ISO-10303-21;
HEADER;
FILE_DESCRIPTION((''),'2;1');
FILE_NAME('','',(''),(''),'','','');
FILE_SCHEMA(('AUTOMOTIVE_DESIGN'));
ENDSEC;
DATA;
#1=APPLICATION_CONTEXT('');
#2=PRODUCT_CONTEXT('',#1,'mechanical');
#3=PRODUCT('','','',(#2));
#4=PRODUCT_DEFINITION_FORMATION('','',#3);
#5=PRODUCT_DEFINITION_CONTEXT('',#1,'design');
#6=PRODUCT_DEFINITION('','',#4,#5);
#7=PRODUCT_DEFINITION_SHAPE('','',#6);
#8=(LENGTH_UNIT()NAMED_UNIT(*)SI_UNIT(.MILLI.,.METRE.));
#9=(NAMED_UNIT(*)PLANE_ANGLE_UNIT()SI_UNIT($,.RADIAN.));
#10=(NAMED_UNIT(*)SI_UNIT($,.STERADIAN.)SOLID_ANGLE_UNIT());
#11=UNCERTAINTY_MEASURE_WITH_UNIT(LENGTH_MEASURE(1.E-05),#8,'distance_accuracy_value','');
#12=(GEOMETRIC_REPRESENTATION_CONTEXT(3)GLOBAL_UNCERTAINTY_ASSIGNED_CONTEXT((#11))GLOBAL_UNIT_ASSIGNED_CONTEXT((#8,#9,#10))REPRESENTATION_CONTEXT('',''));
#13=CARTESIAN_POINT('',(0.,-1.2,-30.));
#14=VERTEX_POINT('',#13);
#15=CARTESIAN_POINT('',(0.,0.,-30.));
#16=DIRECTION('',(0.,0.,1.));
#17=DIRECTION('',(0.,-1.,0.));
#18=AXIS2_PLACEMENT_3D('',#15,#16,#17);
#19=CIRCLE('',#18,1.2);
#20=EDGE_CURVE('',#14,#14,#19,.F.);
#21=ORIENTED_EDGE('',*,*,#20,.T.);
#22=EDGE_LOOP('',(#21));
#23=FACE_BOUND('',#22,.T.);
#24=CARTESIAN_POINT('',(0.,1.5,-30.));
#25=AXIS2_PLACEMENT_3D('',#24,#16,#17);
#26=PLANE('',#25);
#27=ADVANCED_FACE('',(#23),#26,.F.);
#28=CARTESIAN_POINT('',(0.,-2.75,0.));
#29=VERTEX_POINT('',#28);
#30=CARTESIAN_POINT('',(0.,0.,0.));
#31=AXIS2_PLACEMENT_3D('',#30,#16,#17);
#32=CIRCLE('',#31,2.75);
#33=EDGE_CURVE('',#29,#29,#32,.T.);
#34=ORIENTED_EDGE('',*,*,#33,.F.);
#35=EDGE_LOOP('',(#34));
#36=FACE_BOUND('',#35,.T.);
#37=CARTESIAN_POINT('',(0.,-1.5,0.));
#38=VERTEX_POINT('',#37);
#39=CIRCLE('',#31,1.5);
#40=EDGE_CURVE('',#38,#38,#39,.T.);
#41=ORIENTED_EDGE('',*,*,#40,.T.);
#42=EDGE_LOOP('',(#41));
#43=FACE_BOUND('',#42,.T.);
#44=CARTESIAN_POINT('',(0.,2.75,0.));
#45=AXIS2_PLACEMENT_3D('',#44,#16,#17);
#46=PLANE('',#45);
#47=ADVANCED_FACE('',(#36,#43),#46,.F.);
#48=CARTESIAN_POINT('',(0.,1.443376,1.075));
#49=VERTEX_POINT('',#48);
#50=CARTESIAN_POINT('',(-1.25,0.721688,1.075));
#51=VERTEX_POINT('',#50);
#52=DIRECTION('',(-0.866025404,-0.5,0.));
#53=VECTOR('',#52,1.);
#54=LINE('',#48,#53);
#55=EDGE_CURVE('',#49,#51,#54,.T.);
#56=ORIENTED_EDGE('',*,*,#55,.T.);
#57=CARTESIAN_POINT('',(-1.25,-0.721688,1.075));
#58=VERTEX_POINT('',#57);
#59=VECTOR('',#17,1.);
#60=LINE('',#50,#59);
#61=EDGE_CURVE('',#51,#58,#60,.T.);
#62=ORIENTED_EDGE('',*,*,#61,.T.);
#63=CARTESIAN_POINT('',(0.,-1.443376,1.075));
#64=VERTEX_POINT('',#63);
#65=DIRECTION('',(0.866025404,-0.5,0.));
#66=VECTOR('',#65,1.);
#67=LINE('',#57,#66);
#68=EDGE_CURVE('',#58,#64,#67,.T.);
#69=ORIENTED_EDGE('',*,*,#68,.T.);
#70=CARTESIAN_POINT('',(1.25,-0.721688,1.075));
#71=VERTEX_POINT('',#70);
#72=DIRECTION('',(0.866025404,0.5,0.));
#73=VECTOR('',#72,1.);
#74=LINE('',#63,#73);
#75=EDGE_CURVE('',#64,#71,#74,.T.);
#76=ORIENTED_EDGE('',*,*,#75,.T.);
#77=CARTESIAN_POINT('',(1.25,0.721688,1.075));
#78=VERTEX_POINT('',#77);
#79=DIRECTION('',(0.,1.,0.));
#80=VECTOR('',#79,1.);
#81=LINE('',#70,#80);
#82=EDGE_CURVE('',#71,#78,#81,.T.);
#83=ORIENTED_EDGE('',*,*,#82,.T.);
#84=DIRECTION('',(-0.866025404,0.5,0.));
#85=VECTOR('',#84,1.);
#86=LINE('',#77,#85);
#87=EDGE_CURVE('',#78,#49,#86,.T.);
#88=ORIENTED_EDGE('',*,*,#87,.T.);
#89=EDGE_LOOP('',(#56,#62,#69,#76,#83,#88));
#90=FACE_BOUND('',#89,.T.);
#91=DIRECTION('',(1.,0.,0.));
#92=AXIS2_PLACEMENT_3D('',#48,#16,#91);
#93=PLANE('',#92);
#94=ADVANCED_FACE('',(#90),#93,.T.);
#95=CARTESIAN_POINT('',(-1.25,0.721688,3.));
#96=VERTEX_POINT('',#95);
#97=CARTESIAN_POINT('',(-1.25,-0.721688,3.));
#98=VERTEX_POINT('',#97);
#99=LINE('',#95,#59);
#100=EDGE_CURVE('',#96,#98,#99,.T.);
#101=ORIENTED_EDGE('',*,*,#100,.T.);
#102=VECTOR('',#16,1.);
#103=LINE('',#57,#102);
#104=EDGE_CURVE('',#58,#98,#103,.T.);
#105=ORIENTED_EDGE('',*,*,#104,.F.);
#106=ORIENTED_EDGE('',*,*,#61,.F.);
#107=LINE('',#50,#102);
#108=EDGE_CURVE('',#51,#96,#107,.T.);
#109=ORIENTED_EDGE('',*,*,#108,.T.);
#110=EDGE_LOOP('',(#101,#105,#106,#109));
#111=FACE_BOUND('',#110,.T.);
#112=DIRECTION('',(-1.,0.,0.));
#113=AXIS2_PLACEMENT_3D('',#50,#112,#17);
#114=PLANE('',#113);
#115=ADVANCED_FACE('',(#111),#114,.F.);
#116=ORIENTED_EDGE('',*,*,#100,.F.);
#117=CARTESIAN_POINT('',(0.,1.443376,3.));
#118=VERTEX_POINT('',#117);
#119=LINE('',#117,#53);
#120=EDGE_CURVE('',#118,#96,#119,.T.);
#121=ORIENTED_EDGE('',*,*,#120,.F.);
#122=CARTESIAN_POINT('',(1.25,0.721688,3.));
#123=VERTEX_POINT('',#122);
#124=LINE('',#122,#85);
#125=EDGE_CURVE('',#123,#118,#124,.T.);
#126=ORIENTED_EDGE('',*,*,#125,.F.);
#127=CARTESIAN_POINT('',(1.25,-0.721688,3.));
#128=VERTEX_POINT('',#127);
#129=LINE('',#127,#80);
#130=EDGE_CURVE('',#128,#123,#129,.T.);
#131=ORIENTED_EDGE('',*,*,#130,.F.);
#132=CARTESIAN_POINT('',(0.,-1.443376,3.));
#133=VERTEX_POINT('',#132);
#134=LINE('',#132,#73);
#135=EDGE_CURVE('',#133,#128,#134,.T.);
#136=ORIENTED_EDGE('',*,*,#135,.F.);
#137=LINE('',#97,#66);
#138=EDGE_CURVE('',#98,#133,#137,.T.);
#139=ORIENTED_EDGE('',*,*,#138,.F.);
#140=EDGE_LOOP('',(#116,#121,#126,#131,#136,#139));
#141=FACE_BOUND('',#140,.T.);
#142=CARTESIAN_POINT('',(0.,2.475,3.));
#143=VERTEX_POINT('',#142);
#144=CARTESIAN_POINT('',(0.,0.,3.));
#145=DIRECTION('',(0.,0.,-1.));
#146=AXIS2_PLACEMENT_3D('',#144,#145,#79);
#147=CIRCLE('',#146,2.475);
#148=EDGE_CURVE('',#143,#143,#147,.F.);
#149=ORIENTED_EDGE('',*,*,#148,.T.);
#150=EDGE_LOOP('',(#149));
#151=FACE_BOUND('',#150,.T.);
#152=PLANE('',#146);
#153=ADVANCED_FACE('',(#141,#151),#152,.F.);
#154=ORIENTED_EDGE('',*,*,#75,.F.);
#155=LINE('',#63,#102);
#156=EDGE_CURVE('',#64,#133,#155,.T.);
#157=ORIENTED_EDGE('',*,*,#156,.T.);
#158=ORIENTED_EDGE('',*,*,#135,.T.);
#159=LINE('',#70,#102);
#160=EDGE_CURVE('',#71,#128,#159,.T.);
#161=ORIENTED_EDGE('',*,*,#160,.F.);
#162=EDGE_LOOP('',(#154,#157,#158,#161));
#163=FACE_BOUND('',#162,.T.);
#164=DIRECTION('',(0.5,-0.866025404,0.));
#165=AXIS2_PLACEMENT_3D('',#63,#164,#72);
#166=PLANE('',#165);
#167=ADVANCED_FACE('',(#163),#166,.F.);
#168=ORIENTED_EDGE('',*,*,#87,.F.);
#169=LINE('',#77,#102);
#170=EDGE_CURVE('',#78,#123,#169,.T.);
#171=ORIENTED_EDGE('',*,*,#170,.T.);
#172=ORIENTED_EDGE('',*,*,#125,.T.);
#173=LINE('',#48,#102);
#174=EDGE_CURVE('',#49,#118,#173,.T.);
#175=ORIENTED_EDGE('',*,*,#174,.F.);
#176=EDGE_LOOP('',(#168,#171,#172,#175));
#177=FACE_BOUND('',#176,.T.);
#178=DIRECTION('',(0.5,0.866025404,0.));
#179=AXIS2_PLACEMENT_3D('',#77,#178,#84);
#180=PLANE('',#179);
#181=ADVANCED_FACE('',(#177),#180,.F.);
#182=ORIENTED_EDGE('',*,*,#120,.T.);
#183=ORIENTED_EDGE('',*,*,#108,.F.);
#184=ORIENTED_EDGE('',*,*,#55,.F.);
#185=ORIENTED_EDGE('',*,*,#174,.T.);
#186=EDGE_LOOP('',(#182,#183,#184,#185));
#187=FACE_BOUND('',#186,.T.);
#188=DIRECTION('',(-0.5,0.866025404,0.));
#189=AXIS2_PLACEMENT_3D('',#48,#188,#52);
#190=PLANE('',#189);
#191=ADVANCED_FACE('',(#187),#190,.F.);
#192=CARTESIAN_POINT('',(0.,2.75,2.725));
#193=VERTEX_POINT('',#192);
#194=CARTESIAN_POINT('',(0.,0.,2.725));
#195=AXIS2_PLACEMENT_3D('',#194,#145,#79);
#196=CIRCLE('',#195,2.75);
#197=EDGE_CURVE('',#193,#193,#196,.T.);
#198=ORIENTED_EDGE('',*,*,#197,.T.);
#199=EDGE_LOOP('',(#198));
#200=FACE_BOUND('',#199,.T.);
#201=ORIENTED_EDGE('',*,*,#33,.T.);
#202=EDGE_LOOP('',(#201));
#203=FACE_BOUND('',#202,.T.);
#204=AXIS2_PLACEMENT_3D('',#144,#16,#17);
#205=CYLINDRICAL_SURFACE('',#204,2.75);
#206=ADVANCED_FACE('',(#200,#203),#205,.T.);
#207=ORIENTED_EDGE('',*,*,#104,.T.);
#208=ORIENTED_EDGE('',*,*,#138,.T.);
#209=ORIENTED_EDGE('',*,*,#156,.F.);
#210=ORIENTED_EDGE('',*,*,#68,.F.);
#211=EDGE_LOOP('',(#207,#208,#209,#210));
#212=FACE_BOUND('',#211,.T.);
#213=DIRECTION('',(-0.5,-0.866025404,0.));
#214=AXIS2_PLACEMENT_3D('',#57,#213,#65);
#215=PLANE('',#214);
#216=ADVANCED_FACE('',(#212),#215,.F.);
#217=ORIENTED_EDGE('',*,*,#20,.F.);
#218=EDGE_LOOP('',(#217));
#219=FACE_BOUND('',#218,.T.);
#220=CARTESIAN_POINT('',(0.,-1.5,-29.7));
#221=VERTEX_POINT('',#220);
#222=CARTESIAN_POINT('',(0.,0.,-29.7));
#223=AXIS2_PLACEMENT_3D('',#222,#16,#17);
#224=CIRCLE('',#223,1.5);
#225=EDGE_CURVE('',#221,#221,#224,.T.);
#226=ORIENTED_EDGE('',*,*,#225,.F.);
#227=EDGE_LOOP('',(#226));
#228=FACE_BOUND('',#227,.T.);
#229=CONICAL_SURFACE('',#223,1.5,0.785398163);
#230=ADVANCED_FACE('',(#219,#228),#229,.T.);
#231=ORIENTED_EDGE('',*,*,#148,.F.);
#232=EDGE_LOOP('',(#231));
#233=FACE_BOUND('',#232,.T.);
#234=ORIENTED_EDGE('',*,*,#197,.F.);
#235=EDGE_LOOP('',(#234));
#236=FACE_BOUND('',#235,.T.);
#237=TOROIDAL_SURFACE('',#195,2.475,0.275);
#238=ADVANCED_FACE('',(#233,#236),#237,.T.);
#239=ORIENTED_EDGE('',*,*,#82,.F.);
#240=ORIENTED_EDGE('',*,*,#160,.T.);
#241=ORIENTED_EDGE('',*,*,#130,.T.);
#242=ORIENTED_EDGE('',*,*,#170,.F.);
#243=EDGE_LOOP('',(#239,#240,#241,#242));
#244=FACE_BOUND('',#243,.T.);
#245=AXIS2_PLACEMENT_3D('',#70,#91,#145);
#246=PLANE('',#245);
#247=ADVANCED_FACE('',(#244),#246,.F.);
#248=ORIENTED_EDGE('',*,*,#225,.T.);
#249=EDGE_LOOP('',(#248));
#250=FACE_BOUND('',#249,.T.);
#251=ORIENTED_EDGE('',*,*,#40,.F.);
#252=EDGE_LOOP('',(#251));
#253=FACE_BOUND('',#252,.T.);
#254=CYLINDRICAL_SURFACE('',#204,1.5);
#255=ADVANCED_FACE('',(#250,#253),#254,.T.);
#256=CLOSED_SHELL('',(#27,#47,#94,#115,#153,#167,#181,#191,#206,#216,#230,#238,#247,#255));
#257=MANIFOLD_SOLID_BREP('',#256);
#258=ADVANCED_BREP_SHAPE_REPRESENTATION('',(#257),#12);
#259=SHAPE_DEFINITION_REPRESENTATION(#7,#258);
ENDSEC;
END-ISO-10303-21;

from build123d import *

# Parameters (mm, degrees)
CUT_EXTRUDE_1_DEPTH = 1.925
FILLET_1_R          = 0.275
CHAMFER_1_SIZE      = 0.3


with BuildPart() as part:
    # 草图3 → 旋转1 (revolve)
    with BuildSketch(Plane(origin=(0, 0, 0), x_dir=(0, 0, -1), z_dir=(1, 0, 0)), mode=Mode.PRIVATE) as revolve_1_sk:
        Polygon((-3, 0), (-3, 2.75), (0, 2.75), (0, 1.5), (30, 1.5), (30, 0), align=None)
    revolve(revolve_1_sk.sketch.rotate(Axis((0, 0, 3), (0, 0, -1)), 180), axis=Axis((0, 0, 3), (0, 0, -1)))

    # 草图4 → 切除-拉伸1 (cut)
    with BuildSketch(Plane.XY.offset(3)):
        Polygon((0, 1.443375673), (-1.25, 0.721687836), (-1.25, -0.721687836), (0, -1.443375673), (1.25, -0.721687836), (1.25, 0.721687836), align=None)
    extrude(amount=-CUT_EXTRUDE_1_DEPTH, mode=Mode.SUBTRACT)

    # 圆角1
    fillet_1_edges = [part.edges().sort_by_distance(p)[0] for p in [
        (0, 2.75, 3),
    ]]
    fillet(fillet_1_edges, radius=FILLET_1_R)

    # 倒角1
    chamfer_1_edges = [part.edges().sort_by_distance(p)[0] for p in [
        (0, 1.5, -30),
    ]]
    chamfer(chamfer_1_edges, length=CHAMFER_1_SIZE)


solid = part.part
